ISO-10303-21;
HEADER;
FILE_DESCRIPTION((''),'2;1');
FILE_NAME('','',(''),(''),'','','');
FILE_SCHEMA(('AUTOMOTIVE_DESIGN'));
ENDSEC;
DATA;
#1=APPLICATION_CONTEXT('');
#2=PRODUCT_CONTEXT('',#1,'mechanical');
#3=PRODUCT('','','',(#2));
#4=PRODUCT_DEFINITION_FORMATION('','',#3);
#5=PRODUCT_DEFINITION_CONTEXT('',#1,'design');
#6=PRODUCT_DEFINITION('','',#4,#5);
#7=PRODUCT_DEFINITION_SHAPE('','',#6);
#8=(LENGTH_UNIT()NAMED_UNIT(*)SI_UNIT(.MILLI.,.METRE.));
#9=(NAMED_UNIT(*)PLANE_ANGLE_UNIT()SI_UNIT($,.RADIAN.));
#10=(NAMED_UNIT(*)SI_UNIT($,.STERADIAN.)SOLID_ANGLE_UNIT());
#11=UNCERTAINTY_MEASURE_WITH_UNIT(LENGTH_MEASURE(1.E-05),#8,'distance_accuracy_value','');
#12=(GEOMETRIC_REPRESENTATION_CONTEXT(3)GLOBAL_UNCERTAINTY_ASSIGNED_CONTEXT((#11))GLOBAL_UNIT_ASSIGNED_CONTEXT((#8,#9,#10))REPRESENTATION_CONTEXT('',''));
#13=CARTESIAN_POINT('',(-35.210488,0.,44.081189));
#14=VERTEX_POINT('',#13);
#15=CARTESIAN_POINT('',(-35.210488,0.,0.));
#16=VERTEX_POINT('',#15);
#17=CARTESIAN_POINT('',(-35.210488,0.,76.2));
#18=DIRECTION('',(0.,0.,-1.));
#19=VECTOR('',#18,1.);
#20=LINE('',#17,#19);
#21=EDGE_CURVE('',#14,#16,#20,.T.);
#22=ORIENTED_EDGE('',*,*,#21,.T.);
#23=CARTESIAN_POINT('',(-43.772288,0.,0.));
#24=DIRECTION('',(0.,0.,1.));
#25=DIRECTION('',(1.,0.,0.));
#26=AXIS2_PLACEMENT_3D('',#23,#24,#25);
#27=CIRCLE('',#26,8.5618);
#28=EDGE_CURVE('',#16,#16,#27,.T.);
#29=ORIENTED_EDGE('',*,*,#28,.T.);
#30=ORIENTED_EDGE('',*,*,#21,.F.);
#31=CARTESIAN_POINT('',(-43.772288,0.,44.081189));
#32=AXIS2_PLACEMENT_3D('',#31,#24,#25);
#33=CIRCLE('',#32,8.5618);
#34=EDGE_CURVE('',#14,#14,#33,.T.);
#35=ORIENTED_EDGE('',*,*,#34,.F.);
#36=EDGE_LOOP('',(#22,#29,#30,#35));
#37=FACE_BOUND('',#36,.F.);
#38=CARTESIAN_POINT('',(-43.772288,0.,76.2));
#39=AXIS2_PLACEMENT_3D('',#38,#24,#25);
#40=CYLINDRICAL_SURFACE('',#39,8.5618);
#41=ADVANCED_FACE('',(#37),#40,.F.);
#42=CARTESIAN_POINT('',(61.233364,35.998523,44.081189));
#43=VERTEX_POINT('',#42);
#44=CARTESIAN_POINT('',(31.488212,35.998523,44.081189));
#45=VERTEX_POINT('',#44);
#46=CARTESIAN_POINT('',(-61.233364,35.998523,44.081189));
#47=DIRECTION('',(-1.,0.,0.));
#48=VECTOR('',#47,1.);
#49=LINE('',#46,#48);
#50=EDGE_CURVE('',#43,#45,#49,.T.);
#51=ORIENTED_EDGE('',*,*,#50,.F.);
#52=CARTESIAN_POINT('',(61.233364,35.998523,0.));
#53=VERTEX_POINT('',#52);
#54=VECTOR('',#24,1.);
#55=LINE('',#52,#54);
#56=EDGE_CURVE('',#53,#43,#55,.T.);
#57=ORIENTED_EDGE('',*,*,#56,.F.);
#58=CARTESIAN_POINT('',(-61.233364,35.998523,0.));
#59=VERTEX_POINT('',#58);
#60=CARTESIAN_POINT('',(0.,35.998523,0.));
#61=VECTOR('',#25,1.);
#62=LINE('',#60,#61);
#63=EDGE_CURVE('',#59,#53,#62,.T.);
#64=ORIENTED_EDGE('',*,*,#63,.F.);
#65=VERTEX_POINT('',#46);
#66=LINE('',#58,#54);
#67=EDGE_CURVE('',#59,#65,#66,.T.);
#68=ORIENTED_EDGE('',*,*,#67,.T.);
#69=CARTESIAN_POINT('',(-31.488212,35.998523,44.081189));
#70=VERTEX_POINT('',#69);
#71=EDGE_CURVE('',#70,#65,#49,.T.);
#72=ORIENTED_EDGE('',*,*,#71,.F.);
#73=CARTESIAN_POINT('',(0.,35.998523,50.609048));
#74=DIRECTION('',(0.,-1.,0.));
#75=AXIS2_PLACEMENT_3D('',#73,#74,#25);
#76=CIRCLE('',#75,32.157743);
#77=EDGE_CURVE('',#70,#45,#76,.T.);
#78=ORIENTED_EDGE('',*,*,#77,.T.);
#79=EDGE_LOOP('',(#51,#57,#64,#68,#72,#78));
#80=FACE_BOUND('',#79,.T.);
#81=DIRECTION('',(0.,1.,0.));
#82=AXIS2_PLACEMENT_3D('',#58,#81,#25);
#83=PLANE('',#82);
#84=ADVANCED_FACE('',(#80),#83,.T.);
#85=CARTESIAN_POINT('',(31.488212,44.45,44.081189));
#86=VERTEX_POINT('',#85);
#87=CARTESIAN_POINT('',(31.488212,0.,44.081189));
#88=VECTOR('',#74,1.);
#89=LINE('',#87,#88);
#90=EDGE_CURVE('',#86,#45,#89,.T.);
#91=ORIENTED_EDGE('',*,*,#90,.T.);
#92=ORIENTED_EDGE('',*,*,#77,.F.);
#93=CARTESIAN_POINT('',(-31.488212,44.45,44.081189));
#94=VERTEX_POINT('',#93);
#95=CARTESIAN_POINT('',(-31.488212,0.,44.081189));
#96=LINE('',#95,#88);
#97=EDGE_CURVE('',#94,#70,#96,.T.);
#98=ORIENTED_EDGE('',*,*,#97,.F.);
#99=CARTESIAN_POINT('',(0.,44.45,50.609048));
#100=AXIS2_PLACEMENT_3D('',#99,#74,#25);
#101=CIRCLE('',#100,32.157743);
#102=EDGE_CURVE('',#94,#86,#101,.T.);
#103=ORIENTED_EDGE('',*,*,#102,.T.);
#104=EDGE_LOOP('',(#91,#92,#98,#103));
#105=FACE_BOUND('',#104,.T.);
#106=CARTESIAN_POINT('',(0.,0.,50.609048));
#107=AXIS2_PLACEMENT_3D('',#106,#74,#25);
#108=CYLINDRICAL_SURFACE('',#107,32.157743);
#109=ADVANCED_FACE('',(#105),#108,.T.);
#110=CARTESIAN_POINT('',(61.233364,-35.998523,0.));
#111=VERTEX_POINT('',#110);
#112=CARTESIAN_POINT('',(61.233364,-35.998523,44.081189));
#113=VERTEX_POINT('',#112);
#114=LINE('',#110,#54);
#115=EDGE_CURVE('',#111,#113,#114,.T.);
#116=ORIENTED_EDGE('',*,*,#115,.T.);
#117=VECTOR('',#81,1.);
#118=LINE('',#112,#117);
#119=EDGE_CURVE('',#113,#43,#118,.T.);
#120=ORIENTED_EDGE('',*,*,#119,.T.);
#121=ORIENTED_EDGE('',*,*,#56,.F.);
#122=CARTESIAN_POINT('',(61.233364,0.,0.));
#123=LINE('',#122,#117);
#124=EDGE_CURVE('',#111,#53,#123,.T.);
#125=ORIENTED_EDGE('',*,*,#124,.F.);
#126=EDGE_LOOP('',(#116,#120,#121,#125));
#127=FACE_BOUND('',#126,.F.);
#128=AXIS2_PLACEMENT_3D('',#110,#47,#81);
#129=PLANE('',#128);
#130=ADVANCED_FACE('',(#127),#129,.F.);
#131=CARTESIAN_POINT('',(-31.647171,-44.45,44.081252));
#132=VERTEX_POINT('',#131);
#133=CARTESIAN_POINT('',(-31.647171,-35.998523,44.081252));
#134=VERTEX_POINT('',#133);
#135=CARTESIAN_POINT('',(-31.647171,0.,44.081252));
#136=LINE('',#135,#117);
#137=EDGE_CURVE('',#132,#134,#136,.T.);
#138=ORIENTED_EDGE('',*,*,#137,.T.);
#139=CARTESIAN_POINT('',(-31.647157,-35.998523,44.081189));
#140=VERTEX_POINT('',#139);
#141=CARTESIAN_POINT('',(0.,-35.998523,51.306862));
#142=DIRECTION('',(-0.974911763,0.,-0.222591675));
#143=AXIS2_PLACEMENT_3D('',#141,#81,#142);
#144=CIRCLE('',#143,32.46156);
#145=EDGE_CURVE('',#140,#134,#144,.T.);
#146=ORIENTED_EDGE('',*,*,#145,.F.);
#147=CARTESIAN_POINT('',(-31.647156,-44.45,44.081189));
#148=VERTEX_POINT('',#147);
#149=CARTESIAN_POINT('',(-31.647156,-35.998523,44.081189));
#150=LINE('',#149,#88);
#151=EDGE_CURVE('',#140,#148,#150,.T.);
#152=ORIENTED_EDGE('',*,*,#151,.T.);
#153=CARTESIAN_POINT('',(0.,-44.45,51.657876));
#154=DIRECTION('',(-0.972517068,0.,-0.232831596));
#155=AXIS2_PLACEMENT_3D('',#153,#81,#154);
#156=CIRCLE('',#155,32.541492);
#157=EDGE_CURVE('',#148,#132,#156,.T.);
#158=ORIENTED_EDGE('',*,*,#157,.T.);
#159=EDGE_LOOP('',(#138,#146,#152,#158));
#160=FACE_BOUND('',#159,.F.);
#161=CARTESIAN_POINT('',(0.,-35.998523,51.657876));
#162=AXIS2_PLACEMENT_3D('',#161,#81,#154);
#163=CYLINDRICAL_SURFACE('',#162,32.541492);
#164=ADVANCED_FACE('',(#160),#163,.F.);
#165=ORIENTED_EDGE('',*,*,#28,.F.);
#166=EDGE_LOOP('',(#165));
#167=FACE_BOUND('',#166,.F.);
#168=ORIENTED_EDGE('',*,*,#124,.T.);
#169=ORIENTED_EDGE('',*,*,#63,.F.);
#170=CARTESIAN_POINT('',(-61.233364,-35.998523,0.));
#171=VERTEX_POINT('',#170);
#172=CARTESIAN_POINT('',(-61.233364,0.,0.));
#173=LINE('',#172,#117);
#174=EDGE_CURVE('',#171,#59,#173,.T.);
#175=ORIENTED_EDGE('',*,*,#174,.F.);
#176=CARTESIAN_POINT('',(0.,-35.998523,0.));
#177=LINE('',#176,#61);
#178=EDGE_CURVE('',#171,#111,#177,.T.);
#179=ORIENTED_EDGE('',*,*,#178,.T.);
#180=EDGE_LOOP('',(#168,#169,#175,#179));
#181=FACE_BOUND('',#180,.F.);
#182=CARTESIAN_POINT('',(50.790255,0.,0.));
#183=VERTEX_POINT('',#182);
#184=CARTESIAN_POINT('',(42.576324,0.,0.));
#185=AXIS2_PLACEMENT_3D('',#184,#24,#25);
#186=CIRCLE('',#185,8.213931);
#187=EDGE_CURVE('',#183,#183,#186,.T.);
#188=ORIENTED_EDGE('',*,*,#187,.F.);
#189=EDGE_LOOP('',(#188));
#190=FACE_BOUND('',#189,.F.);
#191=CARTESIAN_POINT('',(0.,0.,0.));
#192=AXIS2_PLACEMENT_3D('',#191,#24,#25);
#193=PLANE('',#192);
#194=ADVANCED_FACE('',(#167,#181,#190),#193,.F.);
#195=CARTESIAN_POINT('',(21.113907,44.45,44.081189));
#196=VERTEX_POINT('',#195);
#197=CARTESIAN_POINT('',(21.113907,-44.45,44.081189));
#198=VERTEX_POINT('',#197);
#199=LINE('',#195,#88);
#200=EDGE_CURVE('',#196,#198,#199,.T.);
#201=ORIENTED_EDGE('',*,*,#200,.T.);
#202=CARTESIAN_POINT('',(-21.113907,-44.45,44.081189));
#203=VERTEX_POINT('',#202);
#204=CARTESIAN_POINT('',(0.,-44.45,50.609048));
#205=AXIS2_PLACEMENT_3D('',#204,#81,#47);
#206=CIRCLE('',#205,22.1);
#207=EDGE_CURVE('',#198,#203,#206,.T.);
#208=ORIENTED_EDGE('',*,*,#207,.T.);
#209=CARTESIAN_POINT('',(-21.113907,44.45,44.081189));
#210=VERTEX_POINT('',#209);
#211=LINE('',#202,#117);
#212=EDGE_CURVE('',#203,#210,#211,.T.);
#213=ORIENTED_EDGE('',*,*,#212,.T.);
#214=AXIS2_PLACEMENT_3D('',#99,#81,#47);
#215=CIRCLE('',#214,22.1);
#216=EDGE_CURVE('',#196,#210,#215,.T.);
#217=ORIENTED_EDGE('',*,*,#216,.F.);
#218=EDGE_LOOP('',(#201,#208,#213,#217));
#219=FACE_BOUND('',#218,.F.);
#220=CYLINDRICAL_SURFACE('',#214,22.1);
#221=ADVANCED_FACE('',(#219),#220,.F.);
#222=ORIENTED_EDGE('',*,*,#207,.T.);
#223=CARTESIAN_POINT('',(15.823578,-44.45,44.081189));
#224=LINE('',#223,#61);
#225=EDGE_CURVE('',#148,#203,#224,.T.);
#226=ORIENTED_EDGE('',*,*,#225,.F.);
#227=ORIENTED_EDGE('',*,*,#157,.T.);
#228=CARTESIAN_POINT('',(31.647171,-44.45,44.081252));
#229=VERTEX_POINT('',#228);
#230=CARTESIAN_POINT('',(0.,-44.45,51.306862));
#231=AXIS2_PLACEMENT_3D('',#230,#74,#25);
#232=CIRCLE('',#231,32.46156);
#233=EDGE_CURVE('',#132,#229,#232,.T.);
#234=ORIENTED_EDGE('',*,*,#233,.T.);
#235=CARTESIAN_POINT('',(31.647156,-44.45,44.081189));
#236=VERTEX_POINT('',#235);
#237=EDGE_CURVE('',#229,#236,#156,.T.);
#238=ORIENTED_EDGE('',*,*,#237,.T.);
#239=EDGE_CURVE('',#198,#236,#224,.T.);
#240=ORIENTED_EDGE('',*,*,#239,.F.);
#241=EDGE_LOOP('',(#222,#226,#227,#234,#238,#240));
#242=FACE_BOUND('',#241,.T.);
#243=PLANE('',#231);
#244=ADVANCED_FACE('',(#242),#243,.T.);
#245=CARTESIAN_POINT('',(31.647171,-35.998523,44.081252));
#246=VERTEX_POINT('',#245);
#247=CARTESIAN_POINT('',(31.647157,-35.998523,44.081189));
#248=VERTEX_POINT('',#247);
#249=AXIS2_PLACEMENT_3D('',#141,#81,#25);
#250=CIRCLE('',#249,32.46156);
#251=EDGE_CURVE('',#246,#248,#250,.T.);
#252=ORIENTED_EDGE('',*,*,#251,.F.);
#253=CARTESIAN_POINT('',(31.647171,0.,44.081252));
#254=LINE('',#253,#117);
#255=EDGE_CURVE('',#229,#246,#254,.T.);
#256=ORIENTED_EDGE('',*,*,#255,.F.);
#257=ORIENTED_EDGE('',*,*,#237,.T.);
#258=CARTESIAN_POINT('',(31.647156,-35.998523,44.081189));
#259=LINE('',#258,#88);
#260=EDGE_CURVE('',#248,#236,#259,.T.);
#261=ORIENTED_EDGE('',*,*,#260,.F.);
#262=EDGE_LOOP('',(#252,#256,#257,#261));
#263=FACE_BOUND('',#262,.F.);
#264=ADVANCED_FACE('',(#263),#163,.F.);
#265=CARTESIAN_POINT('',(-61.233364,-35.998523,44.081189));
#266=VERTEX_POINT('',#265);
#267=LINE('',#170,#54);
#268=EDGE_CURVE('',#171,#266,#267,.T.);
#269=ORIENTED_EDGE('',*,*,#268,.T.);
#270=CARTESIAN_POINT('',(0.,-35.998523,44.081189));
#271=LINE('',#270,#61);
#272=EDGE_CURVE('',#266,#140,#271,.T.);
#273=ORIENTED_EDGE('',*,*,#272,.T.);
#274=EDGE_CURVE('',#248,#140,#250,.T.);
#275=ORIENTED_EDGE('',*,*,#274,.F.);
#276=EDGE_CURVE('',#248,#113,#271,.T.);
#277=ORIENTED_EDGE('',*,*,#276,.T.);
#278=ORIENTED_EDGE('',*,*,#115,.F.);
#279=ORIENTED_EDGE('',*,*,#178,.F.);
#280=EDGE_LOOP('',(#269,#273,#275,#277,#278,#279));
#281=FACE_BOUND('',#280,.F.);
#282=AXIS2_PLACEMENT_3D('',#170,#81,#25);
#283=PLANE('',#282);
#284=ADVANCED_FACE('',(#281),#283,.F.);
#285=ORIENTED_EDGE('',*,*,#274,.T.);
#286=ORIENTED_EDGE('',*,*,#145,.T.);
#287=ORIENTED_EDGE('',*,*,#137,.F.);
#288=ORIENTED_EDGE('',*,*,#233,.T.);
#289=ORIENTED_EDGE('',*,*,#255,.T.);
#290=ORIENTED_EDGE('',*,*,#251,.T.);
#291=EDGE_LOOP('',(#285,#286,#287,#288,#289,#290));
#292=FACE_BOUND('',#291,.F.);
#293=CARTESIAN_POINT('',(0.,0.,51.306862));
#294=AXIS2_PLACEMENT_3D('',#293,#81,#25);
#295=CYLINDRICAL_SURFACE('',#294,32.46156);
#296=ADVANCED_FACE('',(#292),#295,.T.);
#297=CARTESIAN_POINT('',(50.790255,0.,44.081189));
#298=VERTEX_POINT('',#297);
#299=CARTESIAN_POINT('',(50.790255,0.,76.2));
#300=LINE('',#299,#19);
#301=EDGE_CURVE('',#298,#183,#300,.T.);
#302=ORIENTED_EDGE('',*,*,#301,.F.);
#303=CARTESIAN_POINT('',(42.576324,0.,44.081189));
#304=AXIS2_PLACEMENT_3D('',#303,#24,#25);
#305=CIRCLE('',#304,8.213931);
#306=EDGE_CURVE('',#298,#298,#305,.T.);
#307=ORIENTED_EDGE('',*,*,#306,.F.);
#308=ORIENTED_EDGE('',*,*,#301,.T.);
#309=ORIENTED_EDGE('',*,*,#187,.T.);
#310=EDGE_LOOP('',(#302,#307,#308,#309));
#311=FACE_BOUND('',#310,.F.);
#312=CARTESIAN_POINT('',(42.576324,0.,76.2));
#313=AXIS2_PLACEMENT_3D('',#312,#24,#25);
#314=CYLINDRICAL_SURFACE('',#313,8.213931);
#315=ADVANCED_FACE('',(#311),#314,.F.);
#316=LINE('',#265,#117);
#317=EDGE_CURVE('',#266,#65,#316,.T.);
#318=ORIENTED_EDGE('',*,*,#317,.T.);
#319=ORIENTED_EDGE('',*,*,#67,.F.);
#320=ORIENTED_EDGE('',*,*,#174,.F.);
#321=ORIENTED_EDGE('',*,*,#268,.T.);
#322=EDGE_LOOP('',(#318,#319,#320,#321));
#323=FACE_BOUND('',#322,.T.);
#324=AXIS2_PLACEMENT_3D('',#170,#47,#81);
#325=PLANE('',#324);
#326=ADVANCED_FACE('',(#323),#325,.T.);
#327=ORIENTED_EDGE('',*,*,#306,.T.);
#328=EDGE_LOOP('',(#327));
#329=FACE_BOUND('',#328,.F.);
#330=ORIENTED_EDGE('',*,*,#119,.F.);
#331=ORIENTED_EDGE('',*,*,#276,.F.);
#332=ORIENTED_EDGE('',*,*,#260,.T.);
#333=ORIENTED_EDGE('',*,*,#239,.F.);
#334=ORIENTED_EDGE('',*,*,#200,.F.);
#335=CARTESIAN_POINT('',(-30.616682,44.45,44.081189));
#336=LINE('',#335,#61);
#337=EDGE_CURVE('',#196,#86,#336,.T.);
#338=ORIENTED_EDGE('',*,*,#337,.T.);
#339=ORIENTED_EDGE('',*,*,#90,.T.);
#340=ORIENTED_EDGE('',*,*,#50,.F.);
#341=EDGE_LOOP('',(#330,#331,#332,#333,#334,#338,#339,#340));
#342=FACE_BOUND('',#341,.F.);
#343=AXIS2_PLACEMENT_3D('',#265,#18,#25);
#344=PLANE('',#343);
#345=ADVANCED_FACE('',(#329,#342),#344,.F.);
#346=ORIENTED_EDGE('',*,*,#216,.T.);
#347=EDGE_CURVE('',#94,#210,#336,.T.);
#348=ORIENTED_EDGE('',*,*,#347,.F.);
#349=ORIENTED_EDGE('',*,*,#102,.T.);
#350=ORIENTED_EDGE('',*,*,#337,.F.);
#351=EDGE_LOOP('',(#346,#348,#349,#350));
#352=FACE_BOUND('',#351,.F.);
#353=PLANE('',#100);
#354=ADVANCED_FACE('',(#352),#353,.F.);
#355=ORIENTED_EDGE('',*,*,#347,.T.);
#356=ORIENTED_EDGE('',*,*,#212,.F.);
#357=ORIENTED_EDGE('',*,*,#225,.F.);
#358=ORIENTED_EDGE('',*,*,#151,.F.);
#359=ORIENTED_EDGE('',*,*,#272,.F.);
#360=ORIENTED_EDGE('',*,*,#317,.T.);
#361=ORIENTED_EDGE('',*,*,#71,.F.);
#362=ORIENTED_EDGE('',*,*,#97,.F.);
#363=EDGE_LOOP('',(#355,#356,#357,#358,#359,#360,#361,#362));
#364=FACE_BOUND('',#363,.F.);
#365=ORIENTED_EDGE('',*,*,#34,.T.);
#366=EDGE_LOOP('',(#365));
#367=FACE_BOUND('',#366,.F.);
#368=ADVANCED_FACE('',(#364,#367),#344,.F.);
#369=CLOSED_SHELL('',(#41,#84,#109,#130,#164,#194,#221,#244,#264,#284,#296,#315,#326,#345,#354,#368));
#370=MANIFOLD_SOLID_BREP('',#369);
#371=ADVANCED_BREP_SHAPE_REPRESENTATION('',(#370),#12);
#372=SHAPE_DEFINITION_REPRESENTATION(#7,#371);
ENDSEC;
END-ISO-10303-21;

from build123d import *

# Parameters (mm, degrees)
F0_W      = 122.466728
F0_H      = 71.997046
F1_DEPTH  = 76.2
F2_R      = 32.46156
F3_DEPTH  = 44.45
F4_R      = 32.157743
F5_DEPTH  = 44.45
F6_R      = 22.1
F7_DEPTH  = 88.901
F8_R      = 8.5618
F8_R_2    = 8.213931
F9_DEPTH  = 76.201
F10_W     = 122.466728
F10_H     = 40.422514
F11_DEPTH = 80.449523
F12_W     = 122.765154
F12_H     = 41.263021
F13_DEPTH = 80.449523
F15_DEPTH = 8.452477


with BuildPart() as f1:
    # F0 (on Top) → F1 (new body)
    with BuildSketch(Plane.XY):
        Rectangle(F0_W, F0_H)
    extrude(amount=F1_DEPTH)

    # F2 (on Front) → F3 (join)
    with BuildSketch(Plane.XZ):
        with Locations((0, 51.306862)):
            Circle(F2_R)
    extrude(amount=F3_DEPTH)

    # F4 (on Front) → F5 (join)
    with BuildSketch(Plane.XZ):
        with Locations((0, 50.609048)):
            Circle(F4_R)
    extrude(amount=-F5_DEPTH)

    # F6 (on face) → F7 (cut, through all)
    with BuildSketch(Plane(origin=(0, 44.45, 0), x_dir=(-1, 0, 0), z_dir=(0, 1, 0))):
        with Locations((0, 50.609048)):
            Circle(F6_R)
    extrude(amount=-F7_DEPTH, mode=Mode.SUBTRACT)

    # F8 (on face) → F9 (cut, through all)
    with BuildSketch(Plane.XY.offset(76.2)):
        with Locations((-43.772288, 0)):
            Circle(F8_R)
        with Locations((42.576324, 0)):
            Circle(F8_R_2)
    extrude(amount=-F9_DEPTH, mode=Mode.SUBTRACT)

    # F10 (on face) → F11 (cut, through all)
    with BuildSketch(Plane.XZ.offset(35.998523)):
        with Locations((0, 64.292446)):
            Rectangle(F10_W, F10_H)
    extrude(amount=-F11_DEPTH, mode=Mode.SUBTRACT)

    # F12 (on face) → F13 (cut, through all)
    with BuildSketch(Plane.XZ.offset(35.998523)):
        with Locations((0.149213, 64.712699)):
            Rectangle(F12_W, F12_H)
    extrude(amount=-F13_DEPTH, mode=Mode.SUBTRACT)

    # F14 (on face) → F15 (cut, through all)
    with BuildSketch(Plane(origin=(0, -35.998523, 0), x_dir=(-1, 0, 0), z_dir=(0, 1, 0))):
        with BuildLine():
            Line((-31.647156, 44.081189), (31.647156, 44.081189))
            ThreePointArc((31.647156, 44.081189), (0, 84.199368), (-31.647156, 44.081189))
        make_face()
    extrude(amount=-F15_DEPTH, mode=Mode.SUBTRACT)


solid = f1.part
